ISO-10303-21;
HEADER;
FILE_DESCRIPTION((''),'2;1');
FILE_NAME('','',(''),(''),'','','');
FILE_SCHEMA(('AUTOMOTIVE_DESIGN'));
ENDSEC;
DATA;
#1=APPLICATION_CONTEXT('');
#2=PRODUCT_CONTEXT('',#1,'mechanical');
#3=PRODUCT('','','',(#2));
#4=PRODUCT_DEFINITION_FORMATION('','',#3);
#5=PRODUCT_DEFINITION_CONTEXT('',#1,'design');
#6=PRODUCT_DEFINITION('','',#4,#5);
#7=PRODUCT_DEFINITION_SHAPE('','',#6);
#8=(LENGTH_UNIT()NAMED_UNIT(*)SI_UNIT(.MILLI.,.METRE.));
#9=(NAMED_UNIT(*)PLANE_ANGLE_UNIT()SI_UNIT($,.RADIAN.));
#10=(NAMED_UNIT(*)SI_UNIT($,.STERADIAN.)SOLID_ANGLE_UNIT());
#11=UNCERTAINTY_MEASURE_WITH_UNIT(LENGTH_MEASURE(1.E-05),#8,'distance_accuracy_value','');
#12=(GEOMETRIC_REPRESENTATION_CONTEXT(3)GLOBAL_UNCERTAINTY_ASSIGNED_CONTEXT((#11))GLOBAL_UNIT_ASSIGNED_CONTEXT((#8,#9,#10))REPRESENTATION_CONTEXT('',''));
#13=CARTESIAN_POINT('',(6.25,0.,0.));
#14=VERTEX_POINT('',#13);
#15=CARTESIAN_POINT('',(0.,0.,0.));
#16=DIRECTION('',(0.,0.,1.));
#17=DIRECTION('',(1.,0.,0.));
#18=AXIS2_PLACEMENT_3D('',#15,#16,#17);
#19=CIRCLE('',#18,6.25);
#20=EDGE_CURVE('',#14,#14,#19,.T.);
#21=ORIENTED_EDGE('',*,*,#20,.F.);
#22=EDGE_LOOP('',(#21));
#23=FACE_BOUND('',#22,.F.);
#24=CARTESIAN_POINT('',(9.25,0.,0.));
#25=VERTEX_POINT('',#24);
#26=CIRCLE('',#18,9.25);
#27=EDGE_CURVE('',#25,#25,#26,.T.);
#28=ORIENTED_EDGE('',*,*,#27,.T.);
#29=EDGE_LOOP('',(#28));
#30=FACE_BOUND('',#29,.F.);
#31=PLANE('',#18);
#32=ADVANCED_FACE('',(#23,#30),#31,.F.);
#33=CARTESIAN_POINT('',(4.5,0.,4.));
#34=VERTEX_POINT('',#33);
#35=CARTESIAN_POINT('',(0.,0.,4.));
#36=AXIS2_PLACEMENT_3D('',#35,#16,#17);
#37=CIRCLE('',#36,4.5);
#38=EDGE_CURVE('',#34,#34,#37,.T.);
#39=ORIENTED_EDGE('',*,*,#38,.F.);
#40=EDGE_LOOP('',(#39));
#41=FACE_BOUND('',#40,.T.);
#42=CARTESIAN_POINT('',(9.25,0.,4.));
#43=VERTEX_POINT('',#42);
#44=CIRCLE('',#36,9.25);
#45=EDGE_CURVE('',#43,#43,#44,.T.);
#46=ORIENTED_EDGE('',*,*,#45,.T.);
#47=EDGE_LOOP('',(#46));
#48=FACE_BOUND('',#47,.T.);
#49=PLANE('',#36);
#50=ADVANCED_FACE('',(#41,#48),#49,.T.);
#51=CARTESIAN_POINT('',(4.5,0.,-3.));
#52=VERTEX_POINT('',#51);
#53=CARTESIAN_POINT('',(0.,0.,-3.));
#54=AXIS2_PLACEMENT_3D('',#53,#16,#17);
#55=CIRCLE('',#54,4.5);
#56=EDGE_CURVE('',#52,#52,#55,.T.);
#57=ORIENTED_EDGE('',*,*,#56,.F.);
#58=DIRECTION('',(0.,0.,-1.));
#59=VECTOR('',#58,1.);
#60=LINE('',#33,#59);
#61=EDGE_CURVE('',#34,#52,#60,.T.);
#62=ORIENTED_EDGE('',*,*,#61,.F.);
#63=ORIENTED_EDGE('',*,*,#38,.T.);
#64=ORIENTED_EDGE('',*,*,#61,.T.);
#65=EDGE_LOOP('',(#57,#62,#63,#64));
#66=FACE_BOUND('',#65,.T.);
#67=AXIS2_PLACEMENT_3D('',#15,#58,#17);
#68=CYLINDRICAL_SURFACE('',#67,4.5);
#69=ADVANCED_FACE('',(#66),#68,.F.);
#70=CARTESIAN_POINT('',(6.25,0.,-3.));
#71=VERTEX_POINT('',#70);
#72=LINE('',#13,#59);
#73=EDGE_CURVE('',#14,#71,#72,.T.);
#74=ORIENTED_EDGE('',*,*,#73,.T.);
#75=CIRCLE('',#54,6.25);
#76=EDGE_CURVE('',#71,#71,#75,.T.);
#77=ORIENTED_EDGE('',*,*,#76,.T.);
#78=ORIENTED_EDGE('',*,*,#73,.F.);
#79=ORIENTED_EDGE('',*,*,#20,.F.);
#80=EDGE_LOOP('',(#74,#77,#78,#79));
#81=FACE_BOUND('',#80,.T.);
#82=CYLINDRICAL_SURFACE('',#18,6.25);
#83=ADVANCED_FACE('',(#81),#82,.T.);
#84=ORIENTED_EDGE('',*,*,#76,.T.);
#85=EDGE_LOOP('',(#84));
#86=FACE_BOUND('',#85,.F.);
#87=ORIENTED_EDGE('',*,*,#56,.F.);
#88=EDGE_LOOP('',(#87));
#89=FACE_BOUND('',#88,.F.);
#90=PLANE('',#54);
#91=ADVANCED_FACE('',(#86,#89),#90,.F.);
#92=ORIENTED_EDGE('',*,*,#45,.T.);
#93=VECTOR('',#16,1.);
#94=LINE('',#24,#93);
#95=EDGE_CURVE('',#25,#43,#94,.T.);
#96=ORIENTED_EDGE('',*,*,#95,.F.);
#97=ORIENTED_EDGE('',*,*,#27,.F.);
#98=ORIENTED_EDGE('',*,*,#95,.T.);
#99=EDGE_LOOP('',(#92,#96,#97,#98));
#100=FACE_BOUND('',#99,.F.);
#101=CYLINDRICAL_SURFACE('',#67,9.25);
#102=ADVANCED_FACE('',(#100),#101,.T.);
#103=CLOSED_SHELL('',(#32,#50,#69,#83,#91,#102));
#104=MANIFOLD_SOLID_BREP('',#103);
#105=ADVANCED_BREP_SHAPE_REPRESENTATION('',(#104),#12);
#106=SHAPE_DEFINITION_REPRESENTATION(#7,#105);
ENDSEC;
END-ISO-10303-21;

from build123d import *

# Parameters (mm, degrees)
F0_R          = 6.25
F0_R_2        = 4.5
F1_DEPTH      = 3
F1_DEPTH_BACK = 4
F0_R_3        = 9.25
F2_DEPTH      = 4


with BuildPart() as f1:
    # F0 (on Top) → F1 (new body, two sides)
    with BuildSketch(Plane.XY) as f1_sk:
        Circle(F0_R)
        Circle(F0_R_2, mode=Mode.SUBTRACT)
    extrude(amount=-F1_DEPTH)
    extrude(f1_sk.sketch, amount=F1_DEPTH_BACK)

    # F0 (on Top) → F2 (join)
    with BuildSketch(Plane.XY):
        Circle(F0_R_3)
        Circle(F0_R, mode=Mode.SUBTRACT)
    extrude(amount=F2_DEPTH)


solid = f1.part
